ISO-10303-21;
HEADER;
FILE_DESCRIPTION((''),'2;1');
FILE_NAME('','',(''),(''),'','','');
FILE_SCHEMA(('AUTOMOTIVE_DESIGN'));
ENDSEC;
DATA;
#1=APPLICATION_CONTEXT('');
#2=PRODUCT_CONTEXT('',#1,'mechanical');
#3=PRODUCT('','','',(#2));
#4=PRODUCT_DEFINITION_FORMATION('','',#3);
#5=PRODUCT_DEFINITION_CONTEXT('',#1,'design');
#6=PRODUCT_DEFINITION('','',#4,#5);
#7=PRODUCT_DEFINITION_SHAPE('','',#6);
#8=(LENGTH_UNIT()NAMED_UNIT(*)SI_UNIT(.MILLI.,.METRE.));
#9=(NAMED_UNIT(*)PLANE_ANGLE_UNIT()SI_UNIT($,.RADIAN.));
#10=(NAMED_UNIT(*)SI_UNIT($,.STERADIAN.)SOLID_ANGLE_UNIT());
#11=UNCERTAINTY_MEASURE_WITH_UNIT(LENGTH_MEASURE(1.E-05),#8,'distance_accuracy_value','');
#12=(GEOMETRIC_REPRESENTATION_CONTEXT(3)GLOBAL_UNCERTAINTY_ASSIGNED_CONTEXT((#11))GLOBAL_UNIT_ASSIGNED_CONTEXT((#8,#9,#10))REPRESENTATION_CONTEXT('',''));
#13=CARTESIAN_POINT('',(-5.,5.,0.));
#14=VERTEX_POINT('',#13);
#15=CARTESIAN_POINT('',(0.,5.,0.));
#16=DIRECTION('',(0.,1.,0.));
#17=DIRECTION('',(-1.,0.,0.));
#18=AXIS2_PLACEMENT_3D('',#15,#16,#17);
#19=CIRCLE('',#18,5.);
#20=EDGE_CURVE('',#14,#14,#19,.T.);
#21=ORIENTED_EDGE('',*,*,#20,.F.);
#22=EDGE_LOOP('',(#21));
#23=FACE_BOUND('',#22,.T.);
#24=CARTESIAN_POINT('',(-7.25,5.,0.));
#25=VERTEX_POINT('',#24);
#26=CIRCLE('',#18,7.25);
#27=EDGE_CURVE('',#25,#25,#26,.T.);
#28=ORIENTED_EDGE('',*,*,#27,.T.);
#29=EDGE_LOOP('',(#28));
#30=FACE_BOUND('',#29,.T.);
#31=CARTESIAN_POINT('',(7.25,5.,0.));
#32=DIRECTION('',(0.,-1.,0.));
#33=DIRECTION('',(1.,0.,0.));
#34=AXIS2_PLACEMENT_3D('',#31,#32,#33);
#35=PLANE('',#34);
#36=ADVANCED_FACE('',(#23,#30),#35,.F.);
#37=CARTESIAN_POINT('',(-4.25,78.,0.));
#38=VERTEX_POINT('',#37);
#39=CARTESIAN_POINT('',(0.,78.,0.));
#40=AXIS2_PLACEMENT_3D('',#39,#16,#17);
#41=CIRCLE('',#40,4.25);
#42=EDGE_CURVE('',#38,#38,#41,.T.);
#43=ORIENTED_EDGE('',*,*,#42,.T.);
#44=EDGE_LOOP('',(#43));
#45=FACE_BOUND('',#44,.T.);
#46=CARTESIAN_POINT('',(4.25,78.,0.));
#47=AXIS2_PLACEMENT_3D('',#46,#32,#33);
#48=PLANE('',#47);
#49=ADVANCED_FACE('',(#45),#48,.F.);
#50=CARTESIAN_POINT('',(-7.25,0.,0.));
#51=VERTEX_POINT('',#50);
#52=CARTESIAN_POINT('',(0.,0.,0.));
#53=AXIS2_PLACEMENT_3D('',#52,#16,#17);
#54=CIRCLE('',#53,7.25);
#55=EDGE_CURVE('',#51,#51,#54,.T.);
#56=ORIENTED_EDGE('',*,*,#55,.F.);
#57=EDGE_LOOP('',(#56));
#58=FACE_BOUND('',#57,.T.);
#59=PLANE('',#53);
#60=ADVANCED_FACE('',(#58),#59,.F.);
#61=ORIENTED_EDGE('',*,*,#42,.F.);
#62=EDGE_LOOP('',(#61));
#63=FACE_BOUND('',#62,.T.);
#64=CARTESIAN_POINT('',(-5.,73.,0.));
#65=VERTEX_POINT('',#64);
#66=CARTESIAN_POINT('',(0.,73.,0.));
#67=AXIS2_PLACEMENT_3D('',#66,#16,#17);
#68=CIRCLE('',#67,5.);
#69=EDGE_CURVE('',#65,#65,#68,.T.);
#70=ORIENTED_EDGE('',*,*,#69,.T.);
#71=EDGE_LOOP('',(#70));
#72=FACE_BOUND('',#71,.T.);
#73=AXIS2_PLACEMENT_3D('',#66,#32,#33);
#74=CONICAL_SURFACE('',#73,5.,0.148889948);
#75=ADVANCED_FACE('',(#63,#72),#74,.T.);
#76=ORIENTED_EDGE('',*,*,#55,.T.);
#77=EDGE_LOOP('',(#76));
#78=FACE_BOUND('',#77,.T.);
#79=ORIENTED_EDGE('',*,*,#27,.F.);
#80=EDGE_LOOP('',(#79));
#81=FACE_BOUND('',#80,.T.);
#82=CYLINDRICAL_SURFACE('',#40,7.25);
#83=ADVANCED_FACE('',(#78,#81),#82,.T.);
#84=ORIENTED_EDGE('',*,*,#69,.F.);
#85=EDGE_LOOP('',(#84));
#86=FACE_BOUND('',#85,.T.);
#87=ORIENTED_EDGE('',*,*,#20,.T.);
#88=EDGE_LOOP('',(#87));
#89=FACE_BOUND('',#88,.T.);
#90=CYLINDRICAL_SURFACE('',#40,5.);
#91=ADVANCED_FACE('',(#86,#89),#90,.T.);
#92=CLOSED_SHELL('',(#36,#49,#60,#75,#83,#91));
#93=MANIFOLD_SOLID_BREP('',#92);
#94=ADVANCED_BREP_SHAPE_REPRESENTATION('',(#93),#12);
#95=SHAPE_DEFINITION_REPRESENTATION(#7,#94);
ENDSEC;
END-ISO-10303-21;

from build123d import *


with BuildPart() as part:
    # Sketch5 → Revolve1 (revolve)
    with BuildSketch(Plane.XY):
        Polygon((0, 0), (7.25, 0), (7.25, 5), (5, 5), (5, 73), (4.25, 78), (0, 78), align=None)
    revolve(axis=Axis((0, 78, 0), (0, -1, 0)))


solid = part.part
